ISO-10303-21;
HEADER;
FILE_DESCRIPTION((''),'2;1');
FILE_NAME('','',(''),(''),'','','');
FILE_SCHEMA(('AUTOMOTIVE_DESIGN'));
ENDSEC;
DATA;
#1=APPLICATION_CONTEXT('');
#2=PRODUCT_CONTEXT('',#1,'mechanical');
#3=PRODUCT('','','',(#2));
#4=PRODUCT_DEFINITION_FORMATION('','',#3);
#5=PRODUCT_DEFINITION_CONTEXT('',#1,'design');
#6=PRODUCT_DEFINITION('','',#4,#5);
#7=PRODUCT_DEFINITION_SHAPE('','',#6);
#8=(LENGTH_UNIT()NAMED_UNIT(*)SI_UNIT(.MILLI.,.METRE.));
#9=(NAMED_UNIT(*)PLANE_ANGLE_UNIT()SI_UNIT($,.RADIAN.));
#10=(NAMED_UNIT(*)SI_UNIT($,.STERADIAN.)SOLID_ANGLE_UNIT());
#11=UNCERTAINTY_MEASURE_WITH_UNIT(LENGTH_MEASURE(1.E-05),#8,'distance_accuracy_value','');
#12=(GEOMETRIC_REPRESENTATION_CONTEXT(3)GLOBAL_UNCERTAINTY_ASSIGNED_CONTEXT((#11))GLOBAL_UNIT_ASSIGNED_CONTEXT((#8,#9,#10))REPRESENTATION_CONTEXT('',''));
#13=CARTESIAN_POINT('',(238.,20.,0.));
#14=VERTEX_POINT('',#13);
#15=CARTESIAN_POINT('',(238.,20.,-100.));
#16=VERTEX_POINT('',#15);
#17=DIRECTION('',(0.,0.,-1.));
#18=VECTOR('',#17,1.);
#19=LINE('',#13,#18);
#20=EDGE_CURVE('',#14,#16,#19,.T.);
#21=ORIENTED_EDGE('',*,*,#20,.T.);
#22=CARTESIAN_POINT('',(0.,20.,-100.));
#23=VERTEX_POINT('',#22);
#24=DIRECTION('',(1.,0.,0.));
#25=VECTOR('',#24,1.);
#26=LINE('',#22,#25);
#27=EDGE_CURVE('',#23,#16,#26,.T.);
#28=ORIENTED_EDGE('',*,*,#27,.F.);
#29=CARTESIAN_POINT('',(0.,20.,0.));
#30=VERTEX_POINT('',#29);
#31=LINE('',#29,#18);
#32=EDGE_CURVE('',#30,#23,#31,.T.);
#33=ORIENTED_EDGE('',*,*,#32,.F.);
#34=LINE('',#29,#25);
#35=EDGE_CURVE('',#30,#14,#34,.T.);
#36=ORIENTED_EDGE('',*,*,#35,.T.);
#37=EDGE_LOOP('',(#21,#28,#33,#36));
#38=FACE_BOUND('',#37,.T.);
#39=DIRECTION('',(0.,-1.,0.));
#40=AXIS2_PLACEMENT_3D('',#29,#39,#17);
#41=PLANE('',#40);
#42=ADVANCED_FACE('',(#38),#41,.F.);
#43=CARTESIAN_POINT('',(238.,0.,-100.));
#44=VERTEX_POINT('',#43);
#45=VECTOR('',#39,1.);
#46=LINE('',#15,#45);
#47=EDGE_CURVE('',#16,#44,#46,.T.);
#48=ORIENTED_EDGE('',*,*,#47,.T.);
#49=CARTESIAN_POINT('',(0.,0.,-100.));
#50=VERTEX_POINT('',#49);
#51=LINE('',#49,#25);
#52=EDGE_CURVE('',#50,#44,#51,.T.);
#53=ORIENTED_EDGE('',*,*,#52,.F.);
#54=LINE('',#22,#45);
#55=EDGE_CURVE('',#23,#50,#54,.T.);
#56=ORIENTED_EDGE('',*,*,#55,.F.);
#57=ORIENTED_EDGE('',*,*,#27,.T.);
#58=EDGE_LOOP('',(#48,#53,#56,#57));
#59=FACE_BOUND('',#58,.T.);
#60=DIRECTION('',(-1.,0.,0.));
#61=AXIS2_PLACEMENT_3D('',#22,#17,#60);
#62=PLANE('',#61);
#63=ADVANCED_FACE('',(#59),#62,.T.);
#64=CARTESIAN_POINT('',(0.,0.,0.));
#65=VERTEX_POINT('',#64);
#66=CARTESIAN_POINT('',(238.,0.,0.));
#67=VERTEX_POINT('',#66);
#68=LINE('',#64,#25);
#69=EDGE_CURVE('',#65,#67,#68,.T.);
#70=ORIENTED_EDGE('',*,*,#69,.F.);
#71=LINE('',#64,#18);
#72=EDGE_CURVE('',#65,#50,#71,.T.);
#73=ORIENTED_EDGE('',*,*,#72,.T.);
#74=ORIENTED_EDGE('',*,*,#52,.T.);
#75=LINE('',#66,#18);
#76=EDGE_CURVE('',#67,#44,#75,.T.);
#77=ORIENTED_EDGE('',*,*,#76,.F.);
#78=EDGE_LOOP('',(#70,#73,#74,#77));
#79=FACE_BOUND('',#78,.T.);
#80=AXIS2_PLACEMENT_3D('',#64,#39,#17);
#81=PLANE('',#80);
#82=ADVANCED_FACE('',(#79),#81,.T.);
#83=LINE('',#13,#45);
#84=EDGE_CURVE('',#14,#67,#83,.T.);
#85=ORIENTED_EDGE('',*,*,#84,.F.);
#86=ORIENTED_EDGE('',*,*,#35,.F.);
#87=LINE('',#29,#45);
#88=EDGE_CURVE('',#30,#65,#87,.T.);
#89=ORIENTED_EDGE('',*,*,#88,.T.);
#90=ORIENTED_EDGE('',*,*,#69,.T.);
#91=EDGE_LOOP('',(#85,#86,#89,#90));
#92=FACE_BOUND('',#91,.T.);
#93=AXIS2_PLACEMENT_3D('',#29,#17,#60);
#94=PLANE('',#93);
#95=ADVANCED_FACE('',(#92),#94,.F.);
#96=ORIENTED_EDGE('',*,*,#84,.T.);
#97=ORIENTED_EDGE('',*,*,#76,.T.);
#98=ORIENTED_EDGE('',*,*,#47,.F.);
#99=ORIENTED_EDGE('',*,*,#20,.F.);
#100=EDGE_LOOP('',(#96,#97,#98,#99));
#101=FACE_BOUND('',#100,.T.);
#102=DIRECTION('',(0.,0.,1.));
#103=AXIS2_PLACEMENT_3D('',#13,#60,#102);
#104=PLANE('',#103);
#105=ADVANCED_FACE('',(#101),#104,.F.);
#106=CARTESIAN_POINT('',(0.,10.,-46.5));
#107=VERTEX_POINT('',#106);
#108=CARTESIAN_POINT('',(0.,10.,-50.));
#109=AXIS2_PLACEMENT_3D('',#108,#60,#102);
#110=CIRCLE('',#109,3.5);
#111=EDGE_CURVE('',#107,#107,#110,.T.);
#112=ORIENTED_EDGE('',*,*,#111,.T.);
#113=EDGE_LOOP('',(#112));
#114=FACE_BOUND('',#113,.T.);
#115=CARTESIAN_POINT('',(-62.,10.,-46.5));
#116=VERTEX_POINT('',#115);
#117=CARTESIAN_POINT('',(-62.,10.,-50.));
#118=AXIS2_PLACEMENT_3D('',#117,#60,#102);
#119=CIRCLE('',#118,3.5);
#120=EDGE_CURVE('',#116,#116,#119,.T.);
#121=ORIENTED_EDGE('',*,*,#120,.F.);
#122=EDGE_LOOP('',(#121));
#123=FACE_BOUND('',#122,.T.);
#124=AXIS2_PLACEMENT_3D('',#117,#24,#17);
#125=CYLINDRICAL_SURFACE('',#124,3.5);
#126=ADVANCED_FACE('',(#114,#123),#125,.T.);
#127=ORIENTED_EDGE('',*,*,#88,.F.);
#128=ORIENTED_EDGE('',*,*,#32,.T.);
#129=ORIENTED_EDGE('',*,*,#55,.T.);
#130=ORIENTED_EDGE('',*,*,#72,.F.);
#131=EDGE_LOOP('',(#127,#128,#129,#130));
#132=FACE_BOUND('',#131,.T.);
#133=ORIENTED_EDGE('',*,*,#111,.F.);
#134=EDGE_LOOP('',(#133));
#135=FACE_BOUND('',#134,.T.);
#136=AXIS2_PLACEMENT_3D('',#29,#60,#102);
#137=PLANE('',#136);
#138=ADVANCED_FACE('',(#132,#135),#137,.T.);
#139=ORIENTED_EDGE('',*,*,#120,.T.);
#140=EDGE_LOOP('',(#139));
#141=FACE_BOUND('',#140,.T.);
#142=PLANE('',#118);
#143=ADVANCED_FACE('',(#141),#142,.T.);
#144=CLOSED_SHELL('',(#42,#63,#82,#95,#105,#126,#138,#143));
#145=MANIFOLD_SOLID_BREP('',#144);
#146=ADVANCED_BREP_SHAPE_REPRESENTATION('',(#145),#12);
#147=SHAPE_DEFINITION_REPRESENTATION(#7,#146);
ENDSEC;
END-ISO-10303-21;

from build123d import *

# Parameters (mm, degrees)
SKETCH_1_W      = 238
SKETCH_1_H      = 100
EXTRUDE_2_DEPTH = 20
SKETCH_2_R      = 3.5
EXTRUDE_3_DEPTH = 62


with BuildPart() as part:
    # 草图1 → 凸台-拉伸2 (new body)
    with BuildSketch(Plane(origin=(0, 0, 0), x_dir=(1, 0, 0), z_dir=(0, 1, 0))):
        with Locations((119, 50)):
            Rectangle(SKETCH_1_W, SKETCH_1_H)
    extrude(amount=EXTRUDE_2_DEPTH)

    # 草图2 → 凸台-拉伸3 (add)
    with BuildSketch(Plane.ZY):
        with Locations((-50, 10)):
            Circle(SKETCH_2_R)
    extrude(amount=EXTRUDE_3_DEPTH)


solid = part.part
